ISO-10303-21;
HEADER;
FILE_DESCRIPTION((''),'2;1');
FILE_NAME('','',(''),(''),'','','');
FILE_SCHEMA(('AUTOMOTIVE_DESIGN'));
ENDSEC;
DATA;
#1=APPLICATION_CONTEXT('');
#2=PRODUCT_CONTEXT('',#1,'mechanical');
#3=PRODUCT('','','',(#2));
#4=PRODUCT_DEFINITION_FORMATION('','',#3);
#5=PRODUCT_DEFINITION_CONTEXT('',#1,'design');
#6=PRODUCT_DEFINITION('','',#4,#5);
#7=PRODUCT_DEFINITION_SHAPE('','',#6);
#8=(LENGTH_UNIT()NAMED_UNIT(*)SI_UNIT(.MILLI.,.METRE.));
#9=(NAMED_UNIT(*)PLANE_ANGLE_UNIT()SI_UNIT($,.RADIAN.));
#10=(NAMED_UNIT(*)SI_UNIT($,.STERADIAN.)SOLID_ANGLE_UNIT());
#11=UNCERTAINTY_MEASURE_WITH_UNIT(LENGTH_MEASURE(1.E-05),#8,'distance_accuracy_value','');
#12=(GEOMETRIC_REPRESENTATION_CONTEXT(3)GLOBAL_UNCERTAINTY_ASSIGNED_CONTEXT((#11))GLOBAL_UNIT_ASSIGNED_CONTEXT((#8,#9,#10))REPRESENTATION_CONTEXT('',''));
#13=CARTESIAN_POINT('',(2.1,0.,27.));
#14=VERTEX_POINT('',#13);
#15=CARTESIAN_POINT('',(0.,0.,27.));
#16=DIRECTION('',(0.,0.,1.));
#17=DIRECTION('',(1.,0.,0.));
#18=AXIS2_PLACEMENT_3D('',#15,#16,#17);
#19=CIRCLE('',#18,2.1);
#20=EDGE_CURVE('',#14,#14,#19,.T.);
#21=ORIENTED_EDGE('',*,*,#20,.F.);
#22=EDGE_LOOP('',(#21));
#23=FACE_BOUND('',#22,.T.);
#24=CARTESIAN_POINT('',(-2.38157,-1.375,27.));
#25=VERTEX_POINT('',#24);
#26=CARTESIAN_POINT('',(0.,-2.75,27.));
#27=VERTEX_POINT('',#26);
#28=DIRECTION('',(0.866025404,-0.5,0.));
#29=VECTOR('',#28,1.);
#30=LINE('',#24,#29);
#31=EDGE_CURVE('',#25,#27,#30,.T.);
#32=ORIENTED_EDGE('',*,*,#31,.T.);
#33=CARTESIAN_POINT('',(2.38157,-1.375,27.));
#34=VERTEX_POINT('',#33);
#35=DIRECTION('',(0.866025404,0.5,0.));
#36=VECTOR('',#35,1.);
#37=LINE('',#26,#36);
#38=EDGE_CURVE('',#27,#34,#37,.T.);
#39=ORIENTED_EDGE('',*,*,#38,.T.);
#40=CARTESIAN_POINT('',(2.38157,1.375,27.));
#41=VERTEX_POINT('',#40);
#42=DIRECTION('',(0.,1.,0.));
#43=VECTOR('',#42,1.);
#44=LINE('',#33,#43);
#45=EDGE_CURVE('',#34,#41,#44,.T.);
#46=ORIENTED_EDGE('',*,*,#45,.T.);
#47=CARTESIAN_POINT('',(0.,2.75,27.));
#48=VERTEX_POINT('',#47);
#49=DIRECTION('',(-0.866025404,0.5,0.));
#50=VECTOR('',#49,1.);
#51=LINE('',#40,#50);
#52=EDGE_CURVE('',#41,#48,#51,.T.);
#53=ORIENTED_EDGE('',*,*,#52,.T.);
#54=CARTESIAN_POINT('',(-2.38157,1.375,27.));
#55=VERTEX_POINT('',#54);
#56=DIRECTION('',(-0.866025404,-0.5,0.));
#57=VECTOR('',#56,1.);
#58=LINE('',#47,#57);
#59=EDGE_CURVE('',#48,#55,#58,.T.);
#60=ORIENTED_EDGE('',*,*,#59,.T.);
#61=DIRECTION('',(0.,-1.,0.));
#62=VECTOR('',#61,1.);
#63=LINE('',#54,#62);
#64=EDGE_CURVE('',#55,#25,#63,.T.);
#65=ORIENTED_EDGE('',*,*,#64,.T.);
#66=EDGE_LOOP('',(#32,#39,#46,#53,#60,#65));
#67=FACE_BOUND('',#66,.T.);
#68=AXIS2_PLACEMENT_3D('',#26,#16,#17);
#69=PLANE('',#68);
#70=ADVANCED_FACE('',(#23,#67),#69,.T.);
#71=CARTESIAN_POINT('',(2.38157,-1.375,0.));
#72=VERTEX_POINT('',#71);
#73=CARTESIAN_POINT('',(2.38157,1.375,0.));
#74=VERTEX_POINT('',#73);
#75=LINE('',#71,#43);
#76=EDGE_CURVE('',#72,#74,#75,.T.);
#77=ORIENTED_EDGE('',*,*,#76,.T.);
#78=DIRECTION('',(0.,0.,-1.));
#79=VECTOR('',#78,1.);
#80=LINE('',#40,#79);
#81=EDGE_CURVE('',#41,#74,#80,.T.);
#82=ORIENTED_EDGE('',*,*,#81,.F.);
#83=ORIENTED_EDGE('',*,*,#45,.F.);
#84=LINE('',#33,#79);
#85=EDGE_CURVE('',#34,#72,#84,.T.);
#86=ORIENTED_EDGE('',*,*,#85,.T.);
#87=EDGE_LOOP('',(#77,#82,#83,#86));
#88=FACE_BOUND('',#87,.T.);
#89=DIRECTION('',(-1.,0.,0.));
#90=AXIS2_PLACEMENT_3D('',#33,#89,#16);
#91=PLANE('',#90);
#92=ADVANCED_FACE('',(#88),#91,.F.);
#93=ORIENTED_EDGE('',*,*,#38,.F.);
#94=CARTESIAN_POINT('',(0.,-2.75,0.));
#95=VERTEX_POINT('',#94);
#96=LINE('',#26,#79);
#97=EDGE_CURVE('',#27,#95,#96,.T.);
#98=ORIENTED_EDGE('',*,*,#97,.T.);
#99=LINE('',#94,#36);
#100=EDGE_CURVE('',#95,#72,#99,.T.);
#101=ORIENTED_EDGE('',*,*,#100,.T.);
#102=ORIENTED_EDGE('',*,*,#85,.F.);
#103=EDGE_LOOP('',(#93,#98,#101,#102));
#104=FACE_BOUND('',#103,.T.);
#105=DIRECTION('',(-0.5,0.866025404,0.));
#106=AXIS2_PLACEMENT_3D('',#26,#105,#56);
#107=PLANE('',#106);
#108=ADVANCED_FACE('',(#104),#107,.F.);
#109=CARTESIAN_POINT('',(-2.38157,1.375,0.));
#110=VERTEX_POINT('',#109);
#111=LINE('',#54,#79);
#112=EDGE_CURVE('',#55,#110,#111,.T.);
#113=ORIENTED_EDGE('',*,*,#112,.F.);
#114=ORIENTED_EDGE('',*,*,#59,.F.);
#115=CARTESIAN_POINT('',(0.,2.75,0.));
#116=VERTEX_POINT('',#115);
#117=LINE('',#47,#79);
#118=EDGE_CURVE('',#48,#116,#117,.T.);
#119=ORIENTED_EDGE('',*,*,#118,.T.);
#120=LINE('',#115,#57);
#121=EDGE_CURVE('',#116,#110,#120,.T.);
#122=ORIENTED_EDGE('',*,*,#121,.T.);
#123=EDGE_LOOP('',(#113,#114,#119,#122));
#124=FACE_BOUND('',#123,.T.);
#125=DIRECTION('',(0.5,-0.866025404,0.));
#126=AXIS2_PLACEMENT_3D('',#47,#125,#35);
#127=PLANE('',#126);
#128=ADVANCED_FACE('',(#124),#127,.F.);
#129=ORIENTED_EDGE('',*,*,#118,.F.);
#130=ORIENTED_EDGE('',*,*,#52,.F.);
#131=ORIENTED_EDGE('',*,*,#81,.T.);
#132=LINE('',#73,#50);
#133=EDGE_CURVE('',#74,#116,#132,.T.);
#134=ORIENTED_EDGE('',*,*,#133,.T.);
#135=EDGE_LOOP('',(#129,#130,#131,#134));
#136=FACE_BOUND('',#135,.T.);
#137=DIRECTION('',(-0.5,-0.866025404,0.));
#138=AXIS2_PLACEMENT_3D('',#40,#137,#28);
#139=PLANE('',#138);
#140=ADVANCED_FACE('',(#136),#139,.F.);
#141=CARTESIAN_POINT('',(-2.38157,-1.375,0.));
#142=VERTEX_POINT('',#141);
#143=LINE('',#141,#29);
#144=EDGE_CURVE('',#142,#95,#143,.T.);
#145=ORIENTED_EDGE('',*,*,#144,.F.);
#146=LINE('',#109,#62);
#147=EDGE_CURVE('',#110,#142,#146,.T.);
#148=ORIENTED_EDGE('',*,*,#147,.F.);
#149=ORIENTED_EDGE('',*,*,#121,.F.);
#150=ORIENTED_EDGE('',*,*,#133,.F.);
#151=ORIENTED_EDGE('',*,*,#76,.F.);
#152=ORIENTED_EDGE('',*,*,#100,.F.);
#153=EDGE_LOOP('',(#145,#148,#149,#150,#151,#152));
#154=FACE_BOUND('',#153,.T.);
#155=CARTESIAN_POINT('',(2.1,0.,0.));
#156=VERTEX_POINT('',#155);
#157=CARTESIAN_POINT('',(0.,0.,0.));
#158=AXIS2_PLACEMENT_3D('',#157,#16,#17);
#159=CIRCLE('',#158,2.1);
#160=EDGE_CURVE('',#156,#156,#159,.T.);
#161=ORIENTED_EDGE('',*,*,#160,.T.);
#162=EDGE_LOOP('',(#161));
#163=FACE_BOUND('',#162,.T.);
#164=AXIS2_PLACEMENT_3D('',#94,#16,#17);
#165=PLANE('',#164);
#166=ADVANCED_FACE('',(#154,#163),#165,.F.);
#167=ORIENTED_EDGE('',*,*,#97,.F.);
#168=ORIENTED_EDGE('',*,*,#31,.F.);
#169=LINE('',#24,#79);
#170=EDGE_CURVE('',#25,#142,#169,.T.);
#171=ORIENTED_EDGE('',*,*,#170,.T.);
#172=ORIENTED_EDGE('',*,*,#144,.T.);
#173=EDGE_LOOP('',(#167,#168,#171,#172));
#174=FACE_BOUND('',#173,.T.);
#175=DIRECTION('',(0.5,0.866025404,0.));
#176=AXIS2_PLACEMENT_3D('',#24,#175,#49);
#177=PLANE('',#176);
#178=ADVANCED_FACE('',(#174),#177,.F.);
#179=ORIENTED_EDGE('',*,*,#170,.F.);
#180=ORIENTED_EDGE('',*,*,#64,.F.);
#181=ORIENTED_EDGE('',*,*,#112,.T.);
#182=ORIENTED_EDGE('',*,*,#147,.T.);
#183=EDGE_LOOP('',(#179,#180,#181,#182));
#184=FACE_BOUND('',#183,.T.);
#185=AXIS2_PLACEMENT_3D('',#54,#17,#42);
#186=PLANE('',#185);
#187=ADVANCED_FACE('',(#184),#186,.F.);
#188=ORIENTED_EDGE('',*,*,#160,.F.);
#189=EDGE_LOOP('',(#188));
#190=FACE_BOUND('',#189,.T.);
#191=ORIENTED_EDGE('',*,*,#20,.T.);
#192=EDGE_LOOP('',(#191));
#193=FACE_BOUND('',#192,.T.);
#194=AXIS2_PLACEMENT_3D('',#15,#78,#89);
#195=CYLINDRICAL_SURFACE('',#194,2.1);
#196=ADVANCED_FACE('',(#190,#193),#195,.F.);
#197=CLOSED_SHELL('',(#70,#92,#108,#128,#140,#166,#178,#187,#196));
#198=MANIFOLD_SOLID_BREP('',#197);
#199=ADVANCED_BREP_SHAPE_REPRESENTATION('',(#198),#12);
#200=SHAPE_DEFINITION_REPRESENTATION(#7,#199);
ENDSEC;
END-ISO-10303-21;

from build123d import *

# Parameters (mm, degrees)
SKETCH1_R      = 2.1
EXTRUDE1_DEPTH = 27


with BuildPart() as part:
    # Sketch1 → Extrude1 (new body)
    with BuildSketch(Plane.XY):
        Polygon((0, -2.75), (2.38156986, -1.375), (2.38156986, 1.375), (0, 2.75), (-2.38156986, 1.375), (-2.38156986, -1.375), align=None)
        Circle(SKETCH1_R, mode=Mode.SUBTRACT)
    extrude(amount=EXTRUDE1_DEPTH)


solid = part.part
